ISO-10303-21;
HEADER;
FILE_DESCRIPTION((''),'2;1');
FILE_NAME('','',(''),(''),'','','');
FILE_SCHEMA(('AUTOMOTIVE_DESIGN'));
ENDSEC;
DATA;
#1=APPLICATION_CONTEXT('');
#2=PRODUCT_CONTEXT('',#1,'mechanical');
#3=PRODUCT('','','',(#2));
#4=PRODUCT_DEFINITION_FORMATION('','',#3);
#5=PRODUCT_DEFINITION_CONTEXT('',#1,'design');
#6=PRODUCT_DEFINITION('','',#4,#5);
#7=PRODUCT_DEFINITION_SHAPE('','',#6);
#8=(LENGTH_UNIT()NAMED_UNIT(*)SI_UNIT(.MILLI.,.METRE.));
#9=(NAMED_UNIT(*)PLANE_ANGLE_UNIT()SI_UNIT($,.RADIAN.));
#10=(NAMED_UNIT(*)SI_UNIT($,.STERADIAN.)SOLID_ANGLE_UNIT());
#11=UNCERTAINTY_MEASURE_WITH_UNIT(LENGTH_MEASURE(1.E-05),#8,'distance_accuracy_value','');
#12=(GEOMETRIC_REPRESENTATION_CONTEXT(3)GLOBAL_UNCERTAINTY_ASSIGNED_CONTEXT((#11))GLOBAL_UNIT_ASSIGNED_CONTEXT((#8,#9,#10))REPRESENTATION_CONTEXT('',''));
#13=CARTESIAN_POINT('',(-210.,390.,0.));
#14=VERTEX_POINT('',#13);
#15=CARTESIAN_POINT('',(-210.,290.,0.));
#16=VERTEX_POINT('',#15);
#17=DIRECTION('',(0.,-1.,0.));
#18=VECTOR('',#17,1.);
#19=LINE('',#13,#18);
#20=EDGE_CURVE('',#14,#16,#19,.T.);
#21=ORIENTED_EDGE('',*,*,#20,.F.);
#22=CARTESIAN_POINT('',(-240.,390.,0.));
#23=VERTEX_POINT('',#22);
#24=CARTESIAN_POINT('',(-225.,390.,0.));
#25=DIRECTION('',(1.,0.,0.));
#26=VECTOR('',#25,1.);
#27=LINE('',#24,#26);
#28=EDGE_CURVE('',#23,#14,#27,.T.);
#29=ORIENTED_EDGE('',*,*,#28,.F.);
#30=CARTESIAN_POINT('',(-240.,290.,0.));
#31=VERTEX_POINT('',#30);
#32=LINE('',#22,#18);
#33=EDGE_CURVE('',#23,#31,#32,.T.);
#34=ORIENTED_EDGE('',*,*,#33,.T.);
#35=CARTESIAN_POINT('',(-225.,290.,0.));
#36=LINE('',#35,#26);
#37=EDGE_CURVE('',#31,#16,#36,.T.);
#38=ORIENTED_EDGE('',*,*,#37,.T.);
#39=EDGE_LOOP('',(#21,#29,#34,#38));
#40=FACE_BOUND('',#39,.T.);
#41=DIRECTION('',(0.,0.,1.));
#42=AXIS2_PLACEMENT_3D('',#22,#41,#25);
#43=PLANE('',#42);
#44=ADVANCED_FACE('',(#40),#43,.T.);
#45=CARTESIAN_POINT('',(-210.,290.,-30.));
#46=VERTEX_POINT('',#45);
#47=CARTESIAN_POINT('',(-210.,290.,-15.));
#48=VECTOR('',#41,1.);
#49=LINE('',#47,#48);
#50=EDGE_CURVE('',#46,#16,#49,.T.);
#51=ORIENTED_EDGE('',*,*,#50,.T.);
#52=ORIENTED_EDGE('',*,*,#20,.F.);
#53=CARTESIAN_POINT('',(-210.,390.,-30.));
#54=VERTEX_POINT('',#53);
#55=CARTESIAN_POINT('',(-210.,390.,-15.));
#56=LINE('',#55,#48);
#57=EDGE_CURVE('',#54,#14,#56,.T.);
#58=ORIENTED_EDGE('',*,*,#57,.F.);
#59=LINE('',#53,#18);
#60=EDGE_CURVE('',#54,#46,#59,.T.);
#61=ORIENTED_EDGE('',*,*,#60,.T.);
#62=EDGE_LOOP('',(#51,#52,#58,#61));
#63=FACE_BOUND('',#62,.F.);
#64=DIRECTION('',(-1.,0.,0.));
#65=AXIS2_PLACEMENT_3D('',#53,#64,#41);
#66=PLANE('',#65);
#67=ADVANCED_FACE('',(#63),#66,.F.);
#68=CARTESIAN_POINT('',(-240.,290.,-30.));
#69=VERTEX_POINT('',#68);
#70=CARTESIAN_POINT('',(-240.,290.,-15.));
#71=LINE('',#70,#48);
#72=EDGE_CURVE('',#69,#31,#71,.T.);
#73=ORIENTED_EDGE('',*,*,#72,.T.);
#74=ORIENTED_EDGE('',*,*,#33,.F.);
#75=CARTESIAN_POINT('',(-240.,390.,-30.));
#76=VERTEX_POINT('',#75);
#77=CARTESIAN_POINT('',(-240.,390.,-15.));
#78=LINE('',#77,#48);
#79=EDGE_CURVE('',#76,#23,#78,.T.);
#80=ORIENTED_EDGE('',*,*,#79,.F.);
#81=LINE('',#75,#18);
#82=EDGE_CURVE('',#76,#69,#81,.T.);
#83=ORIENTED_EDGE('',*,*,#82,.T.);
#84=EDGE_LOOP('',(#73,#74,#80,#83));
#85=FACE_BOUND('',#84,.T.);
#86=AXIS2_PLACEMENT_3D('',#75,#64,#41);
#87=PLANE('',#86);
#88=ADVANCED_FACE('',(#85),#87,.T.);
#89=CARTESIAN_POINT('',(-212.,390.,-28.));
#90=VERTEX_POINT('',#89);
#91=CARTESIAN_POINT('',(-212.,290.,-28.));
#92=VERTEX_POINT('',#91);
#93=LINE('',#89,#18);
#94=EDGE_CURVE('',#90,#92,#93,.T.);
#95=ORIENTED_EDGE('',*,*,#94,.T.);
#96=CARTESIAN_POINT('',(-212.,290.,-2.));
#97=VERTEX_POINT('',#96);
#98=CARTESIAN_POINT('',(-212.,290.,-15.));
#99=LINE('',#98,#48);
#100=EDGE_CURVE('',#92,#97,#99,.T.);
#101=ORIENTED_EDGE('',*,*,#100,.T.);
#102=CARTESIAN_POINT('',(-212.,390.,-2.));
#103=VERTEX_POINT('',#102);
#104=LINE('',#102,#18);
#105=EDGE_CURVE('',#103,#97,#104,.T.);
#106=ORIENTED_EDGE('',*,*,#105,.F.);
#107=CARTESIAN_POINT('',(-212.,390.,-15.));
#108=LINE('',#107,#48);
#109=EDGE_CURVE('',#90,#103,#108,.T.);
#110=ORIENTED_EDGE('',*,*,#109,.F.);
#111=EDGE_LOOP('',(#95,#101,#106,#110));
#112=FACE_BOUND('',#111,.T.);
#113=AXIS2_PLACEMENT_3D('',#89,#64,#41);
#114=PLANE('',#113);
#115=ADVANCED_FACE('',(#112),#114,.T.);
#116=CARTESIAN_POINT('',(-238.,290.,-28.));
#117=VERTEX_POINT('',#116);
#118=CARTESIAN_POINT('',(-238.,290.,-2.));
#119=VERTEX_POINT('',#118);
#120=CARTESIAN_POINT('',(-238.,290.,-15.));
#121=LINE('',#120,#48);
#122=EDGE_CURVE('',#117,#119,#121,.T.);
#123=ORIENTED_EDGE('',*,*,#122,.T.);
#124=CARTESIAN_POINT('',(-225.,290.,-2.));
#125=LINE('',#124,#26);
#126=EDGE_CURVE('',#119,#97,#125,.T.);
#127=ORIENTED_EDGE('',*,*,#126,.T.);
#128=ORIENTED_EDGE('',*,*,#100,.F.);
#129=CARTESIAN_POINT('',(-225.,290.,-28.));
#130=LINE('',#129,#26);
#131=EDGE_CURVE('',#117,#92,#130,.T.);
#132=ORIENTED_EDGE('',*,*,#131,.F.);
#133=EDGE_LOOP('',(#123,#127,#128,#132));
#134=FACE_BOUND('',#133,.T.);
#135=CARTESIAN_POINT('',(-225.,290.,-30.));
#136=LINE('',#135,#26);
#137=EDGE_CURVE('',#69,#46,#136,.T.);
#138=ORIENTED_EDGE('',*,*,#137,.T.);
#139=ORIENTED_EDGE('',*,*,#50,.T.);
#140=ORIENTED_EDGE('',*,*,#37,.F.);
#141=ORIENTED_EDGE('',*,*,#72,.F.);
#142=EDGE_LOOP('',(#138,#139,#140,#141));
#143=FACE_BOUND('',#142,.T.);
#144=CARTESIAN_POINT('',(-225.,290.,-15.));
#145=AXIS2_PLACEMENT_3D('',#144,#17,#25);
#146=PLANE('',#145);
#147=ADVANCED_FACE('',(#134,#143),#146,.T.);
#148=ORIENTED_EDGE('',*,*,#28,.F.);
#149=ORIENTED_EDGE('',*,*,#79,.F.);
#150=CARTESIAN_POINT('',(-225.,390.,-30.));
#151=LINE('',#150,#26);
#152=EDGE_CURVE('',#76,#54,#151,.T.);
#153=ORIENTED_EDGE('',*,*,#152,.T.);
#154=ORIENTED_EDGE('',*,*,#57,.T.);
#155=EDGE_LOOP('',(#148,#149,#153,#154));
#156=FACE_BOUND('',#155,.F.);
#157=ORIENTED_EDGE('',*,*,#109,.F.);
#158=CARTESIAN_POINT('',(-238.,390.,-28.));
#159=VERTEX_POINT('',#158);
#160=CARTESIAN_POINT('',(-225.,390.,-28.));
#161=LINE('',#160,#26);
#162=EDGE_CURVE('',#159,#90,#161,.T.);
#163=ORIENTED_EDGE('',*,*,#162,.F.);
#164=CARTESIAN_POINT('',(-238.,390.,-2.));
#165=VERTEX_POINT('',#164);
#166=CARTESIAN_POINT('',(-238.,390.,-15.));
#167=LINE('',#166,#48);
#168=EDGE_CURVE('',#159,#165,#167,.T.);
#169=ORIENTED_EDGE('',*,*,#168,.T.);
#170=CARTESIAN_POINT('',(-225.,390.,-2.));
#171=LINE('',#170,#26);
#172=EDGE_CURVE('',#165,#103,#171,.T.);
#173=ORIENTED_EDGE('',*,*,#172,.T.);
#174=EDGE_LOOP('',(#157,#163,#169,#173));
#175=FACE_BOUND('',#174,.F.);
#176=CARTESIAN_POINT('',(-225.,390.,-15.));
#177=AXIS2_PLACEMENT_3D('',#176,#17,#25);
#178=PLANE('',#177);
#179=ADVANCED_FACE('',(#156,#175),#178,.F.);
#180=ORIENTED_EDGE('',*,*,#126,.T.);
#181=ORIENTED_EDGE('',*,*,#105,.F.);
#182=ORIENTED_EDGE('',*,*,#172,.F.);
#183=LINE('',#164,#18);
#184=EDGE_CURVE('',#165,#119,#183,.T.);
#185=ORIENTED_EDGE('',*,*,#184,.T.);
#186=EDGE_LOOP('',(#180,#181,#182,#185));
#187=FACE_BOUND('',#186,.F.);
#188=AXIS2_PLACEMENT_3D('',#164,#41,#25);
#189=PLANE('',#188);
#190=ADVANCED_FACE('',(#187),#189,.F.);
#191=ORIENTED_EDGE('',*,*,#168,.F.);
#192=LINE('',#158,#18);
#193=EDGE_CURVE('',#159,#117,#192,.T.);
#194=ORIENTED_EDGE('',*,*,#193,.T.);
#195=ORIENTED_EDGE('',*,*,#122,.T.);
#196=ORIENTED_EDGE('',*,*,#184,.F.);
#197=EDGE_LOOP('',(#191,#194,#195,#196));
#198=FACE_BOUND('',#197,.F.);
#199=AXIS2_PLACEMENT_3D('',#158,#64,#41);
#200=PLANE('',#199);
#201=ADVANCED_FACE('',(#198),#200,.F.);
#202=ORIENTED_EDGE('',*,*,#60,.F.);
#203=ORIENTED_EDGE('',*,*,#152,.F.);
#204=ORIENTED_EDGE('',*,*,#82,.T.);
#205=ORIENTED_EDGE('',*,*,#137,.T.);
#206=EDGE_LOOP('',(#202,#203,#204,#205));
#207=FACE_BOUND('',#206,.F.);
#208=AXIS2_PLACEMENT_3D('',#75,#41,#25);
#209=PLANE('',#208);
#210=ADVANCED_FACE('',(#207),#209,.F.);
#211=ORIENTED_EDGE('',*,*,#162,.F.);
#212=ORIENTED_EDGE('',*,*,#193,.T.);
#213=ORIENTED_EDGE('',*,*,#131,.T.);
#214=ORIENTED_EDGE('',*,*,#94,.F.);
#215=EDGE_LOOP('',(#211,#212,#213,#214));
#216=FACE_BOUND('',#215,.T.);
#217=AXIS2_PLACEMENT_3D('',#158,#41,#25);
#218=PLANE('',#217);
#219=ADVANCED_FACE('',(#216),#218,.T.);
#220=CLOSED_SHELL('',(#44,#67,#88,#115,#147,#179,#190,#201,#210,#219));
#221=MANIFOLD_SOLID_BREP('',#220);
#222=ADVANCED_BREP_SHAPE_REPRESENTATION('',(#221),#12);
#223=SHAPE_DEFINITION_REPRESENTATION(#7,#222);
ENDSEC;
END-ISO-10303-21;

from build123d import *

# Parameters (mm, degrees)
SKETCH001_W   = 30
SKETCH001_H   = 30
SKETCH001_W_2 = 26
SKETCH001_H_2 = 26
PAD001_DEPTH  = 100


with BuildPart() as part:
    # Sketch001 → Pad001 (new body)
    with BuildSketch(Plane.XZ):
        with Locations((15, -15)):
            Rectangle(SKETCH001_W, SKETCH001_H)
        with Locations((15, -15)):
            Rectangle(SKETCH001_W_2, SKETCH001_H_2, mode=Mode.SUBTRACT)
    extrude(amount=PAD001_DEPTH)


with BuildPart() as part_1:
    # Body001 placement: moved
    add(part.part.moved(Location((-240, 390, 0))))


solid = part_1.part
